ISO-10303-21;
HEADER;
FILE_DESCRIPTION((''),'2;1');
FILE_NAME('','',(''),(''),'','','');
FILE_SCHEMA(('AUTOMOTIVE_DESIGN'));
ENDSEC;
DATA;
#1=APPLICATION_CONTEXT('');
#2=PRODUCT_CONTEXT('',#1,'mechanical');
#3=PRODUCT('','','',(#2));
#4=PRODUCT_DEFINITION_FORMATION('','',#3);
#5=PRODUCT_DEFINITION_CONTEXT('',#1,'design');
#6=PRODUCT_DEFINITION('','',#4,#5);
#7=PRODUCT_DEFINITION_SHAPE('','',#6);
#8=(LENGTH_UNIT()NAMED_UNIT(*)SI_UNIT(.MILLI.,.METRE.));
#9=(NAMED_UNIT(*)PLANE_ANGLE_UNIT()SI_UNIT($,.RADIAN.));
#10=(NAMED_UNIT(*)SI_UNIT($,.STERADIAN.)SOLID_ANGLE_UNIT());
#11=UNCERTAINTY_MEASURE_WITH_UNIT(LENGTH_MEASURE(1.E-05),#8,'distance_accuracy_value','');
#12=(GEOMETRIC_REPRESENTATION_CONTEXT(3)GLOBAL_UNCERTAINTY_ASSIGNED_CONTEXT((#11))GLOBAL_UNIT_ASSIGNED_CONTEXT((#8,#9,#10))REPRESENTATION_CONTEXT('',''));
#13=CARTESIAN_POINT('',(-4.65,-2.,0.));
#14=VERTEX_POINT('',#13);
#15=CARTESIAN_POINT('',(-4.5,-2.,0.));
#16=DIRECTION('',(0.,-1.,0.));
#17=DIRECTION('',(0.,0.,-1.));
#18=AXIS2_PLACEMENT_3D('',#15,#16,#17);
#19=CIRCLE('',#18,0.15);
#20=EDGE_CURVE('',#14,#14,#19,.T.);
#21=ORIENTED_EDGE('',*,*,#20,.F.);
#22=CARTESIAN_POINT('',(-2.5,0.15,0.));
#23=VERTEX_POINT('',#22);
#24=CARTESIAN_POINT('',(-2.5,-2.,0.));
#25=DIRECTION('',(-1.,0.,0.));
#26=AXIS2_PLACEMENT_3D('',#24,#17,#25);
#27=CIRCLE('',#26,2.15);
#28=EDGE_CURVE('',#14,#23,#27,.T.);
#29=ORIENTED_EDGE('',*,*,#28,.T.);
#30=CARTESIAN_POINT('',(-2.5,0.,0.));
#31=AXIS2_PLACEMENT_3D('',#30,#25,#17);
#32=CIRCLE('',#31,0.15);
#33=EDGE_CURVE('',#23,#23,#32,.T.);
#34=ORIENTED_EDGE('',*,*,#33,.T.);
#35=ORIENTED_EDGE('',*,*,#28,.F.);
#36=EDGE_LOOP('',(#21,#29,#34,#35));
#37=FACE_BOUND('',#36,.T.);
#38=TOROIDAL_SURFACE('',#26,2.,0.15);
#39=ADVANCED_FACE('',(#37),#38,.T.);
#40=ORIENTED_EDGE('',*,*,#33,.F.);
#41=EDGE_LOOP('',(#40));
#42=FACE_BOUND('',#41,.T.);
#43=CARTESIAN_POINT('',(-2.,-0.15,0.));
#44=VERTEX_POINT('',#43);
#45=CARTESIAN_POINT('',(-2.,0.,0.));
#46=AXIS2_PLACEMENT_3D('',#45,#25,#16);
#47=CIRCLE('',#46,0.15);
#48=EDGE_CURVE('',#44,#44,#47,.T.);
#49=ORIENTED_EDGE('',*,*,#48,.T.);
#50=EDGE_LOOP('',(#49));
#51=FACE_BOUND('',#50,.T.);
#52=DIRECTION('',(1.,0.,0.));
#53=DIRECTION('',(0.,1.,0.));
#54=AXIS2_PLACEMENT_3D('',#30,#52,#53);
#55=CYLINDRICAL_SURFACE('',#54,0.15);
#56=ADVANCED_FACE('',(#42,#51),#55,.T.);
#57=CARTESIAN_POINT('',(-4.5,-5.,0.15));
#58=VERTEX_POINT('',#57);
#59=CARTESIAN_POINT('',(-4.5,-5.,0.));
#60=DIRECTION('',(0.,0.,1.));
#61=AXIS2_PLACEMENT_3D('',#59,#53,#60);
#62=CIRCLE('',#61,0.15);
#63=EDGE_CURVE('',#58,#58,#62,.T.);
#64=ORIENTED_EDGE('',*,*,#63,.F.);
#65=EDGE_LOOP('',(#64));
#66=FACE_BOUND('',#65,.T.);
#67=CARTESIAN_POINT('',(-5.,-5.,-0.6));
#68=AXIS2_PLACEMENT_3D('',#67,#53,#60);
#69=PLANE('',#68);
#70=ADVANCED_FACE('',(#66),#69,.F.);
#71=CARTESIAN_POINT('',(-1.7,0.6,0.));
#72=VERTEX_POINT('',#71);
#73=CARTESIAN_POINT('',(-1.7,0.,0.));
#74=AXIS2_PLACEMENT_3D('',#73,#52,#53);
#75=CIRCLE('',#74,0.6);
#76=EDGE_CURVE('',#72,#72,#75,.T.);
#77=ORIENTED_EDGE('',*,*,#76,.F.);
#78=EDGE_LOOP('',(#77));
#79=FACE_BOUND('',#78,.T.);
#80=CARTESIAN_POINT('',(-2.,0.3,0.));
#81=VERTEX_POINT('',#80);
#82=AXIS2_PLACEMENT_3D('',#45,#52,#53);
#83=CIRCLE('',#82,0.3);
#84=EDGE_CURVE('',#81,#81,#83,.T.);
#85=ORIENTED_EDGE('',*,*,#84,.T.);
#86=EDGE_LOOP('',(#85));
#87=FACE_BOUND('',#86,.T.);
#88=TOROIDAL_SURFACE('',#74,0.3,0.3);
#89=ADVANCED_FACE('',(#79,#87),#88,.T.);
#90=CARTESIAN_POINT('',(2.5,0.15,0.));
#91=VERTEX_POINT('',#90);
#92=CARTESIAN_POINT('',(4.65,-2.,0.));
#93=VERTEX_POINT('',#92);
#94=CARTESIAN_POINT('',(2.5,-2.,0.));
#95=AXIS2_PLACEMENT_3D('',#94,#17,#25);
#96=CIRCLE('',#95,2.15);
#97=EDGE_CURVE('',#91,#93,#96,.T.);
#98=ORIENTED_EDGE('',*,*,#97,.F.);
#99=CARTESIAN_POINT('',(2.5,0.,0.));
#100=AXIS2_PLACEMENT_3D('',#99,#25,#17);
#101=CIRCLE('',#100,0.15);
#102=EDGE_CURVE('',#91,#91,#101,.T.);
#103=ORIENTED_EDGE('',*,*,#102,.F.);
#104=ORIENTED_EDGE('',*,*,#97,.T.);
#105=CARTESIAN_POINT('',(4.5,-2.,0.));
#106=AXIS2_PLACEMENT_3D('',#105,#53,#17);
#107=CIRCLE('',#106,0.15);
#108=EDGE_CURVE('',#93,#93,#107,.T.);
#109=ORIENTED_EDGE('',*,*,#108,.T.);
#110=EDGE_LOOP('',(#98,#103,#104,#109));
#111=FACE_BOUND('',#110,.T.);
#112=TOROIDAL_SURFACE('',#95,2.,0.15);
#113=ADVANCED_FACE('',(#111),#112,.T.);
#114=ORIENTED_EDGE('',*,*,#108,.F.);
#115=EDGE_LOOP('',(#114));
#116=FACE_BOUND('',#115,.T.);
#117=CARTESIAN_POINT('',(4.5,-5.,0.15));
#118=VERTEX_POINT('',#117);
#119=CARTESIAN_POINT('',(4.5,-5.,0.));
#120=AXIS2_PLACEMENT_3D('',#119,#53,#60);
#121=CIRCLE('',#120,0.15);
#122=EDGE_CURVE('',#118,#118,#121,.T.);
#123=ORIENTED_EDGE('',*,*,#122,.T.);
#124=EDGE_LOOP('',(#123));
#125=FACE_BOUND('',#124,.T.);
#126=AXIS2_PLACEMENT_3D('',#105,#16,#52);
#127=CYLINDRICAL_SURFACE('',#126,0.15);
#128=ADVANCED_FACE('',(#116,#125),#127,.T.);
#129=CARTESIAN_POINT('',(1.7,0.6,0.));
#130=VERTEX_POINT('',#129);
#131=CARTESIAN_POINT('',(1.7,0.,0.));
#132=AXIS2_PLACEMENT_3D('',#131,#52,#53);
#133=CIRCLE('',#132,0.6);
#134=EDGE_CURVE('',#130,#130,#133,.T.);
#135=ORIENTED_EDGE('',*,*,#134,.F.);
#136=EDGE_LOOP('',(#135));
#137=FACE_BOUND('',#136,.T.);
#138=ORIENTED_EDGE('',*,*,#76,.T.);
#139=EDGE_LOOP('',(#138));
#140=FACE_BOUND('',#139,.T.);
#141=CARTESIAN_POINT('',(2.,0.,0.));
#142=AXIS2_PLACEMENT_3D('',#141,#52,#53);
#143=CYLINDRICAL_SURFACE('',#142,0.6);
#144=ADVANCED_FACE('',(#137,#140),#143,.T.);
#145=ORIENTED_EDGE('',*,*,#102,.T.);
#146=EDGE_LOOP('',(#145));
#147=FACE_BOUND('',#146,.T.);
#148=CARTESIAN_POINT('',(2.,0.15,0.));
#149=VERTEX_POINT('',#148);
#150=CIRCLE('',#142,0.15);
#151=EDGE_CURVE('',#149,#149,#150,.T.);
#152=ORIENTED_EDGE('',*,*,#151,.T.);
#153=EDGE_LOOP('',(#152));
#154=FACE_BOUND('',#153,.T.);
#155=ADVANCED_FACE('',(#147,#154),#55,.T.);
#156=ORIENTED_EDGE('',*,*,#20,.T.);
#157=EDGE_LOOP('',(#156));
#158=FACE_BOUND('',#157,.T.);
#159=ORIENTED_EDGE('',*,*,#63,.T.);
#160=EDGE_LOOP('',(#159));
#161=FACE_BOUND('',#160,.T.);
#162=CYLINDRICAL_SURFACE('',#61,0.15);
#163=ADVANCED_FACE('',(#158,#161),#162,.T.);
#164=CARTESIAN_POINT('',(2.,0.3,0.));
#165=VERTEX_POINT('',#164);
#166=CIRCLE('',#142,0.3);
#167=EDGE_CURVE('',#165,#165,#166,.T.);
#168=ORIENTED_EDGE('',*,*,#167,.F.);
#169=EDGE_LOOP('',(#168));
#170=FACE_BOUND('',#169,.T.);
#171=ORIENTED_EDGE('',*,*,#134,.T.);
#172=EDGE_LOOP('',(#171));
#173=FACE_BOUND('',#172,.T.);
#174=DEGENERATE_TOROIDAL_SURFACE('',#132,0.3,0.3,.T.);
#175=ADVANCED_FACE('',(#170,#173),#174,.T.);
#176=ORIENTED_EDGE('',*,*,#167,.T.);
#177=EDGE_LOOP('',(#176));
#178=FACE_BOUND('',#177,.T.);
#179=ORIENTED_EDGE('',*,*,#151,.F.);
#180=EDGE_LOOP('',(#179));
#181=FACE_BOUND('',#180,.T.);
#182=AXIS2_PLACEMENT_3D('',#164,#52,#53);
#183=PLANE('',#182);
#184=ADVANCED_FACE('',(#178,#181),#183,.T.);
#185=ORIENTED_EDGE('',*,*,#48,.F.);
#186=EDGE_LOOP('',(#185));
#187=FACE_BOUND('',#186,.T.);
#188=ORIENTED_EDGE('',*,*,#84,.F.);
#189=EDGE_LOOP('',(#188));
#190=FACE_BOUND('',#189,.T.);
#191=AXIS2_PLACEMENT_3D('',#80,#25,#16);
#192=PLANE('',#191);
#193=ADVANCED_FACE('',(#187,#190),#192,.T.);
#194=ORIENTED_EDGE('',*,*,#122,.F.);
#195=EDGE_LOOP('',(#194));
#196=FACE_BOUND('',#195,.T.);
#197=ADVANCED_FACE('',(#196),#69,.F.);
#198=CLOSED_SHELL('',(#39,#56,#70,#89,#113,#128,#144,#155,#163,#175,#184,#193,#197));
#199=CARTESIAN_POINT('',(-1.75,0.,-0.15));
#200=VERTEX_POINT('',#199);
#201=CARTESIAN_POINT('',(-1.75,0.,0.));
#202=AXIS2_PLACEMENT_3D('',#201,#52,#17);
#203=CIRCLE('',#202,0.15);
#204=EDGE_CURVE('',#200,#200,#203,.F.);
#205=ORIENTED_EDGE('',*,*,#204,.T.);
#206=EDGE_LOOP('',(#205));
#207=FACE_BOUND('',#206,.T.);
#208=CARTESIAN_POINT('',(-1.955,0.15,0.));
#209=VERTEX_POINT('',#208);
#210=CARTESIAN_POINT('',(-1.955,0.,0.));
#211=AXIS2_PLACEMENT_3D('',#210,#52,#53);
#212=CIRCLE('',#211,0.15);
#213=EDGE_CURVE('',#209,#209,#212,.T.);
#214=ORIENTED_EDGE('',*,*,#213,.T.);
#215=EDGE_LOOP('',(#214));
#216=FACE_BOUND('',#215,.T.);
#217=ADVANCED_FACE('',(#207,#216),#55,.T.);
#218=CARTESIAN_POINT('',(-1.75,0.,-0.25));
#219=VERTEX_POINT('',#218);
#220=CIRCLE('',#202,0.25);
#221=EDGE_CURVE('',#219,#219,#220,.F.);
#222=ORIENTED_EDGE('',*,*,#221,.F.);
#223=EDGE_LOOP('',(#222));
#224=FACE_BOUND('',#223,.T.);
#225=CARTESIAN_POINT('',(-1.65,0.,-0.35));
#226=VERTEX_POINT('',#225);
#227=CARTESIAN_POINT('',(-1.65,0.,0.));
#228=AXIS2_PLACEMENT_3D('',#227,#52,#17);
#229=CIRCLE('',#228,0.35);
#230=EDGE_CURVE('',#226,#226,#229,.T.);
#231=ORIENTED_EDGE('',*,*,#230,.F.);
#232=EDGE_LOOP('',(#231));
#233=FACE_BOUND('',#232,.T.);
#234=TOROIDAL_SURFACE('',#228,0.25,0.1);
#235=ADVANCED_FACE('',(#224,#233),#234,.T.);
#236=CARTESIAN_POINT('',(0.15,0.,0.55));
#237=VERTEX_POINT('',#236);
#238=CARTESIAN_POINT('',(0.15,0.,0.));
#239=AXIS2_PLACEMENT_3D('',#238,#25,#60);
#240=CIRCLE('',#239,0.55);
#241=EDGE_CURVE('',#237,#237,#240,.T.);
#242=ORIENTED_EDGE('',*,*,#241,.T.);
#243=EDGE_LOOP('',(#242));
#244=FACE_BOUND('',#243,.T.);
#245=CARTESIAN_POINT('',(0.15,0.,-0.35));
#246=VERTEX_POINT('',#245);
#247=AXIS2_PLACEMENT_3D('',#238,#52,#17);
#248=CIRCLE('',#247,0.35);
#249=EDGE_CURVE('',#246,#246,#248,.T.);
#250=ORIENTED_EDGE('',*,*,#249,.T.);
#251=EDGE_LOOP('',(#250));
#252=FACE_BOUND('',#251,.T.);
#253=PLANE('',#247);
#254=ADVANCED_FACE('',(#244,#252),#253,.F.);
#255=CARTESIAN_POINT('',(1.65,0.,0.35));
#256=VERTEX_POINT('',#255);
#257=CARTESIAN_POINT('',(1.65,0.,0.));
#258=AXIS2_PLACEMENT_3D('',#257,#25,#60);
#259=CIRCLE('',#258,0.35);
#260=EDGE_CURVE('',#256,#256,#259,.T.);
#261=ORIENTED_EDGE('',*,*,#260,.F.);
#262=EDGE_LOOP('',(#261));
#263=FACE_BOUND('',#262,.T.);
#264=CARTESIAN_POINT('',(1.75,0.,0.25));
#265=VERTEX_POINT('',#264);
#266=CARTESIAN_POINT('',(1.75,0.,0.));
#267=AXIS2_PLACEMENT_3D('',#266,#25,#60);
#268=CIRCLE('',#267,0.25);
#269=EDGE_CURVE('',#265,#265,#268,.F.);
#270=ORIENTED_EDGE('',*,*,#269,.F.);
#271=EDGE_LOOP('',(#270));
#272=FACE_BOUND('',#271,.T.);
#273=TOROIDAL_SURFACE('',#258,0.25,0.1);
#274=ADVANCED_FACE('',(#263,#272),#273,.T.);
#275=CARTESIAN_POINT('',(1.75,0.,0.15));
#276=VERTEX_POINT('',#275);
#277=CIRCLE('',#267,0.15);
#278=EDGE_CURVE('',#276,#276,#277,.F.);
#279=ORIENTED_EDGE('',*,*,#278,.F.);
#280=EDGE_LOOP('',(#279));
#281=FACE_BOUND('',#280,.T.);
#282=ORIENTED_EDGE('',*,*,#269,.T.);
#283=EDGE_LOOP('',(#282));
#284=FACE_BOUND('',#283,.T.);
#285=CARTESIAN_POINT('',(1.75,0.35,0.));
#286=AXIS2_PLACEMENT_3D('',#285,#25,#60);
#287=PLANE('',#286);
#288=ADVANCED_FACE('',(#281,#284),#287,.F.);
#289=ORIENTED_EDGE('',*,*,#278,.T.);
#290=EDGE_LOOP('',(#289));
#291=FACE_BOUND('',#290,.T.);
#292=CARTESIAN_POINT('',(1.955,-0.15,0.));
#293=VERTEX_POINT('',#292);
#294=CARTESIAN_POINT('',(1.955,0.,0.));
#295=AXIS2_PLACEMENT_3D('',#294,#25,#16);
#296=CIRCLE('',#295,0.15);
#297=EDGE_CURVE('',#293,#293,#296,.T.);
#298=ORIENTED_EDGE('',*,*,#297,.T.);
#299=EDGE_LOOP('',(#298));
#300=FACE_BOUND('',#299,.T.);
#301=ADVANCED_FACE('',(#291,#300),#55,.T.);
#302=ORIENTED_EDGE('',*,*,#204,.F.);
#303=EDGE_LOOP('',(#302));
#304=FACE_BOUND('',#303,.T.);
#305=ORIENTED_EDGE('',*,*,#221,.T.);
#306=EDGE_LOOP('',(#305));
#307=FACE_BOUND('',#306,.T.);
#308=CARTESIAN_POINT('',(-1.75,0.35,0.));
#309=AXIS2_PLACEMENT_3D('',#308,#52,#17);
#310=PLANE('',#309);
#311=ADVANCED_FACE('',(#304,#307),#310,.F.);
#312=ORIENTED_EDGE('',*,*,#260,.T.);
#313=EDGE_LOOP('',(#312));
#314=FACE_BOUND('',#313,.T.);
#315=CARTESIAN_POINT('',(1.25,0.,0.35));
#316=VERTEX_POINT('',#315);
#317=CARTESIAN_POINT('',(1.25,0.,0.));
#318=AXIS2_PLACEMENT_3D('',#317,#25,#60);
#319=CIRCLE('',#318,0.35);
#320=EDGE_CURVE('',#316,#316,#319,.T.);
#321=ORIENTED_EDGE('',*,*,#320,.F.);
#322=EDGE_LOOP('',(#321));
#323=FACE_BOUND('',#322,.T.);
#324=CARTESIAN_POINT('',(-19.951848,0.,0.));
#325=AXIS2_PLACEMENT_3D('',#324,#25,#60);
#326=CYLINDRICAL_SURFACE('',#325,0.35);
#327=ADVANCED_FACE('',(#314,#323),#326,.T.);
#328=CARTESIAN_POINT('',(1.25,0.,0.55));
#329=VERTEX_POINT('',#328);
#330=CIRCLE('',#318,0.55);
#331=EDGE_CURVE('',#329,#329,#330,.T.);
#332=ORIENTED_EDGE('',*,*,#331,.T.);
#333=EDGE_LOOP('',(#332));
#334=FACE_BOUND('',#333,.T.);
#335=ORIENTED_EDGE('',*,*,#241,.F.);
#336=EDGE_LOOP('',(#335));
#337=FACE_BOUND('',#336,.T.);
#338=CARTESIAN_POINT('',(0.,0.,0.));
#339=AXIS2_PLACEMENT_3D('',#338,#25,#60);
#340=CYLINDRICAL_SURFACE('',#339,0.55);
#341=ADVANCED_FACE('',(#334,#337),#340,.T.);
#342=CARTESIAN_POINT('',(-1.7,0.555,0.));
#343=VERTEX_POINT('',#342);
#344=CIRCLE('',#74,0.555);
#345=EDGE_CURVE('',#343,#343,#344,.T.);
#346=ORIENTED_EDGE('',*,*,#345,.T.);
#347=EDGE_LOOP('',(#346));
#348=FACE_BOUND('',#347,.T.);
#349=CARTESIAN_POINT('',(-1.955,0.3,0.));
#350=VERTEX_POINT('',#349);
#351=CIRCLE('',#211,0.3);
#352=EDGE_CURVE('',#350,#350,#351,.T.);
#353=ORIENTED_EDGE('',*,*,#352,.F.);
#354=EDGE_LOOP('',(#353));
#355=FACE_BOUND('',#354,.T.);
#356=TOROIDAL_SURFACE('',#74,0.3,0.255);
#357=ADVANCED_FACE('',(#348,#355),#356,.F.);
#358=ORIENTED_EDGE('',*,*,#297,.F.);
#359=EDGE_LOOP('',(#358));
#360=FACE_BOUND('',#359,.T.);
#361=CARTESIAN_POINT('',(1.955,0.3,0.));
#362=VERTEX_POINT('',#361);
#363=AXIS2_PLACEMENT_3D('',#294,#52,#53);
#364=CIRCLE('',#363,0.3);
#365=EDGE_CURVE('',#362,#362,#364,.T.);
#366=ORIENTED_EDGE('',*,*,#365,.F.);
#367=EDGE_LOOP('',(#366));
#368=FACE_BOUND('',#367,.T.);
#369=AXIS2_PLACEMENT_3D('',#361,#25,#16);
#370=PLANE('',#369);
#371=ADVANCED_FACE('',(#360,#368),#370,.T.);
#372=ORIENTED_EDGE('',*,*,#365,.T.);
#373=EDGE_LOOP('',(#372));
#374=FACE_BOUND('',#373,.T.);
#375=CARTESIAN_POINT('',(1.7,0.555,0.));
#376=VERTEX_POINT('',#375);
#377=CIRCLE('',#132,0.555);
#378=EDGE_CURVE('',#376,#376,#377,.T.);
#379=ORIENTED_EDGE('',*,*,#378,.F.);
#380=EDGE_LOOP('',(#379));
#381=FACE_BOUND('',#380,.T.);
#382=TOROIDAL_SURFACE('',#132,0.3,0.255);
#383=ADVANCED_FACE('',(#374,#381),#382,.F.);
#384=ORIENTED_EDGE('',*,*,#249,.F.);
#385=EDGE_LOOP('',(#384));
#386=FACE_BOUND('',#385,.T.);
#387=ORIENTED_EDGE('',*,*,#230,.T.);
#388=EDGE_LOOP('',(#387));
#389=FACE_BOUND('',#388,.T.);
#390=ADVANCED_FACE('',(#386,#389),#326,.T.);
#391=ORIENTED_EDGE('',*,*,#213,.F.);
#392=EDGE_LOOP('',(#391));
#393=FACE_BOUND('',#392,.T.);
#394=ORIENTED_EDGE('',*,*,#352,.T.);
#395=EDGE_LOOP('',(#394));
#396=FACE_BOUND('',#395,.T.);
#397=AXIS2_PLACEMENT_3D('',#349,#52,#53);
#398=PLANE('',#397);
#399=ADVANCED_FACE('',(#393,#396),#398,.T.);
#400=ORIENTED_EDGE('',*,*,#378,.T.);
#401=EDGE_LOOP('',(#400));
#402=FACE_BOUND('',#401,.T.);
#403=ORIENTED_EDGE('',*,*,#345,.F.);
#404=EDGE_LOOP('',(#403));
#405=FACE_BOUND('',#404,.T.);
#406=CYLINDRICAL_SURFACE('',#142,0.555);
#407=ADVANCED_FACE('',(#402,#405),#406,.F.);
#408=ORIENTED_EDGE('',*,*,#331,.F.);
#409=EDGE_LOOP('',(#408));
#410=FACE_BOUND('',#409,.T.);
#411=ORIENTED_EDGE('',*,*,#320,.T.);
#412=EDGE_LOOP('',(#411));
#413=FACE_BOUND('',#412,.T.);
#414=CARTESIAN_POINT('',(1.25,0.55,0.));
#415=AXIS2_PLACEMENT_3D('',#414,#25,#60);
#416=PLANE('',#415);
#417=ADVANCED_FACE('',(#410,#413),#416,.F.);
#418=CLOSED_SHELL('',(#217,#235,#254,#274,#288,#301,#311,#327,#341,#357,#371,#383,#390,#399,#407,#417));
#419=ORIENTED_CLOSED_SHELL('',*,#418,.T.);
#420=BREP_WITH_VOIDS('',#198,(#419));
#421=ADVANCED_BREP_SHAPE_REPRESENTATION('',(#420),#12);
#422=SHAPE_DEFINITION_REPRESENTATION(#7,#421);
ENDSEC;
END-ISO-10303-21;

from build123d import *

# Parameters (mm, degrees)
SKETCH1_W               = 3.5
SKETCH1_H               = 0.35
FILLET1_R               = 0.1
SKETCH2_W               = 1.1
SKETCH2_H               = 0.55
SKETCH3_R               = 0.15
SKETCH6_W               = 10
SKETCH6_H               = 2.5
CUT_EXTRUDE1_DEPTH      = 1.6000001
CUT_EXTRUDE1_DEPTH_BACK = 1.6000001


with BuildPart() as part:
    # Sketch1 → Base-Revolve (revolve)
    with BuildSketch(Plane.XY, mode=Mode.PRIVATE) as base_revolve_sk:
        with Locations((0, 0.175)):
            Rectangle(SKETCH1_W, SKETCH1_H)
    revolve(base_revolve_sk.sketch.rotate(Axis((-19.951848249, 0, 0), (1, 0, 0)), 90), axis=Axis((-19.951848249, 0, 0), (1, 0, 0)))  # turned: the seam where the file's is

    # Fillet1
    fillet1_edges = [part.edges().sort_by_distance(p)[0] for p in [
        (1.75, 0, -0.35),
        (-1.75, 0, -0.35),
    ]]
    fillet(fillet1_edges, radius=FILLET1_R)

    # Sketch2 → Boss-Revolve1 (revolve)
    with BuildSketch(Plane.XY, mode=Mode.PRIVATE) as boss_revolve1_sk:
        with Locations((0.7, 0.275)):
            Rectangle(SKETCH2_W, SKETCH2_H)
    revolve(boss_revolve1_sk.sketch.rotate(Axis((0, 0, 0), (1, 0, 0)), 90), axis=Axis((0, 0, 0), (1, 0, 0)))  # turned: the seam where the file's is

    # Boss-Sweep1: sweep along a path in Sketch4
    with BuildLine(Plane.XY) as boss_sweep1_path:
        Line((0.174016429, -7), (-2.5, -7))
        ThreePointArc((-2.5, -7), (-3.914213562, -6.414213562), (-4.5, -5))
        Line((-4.5, -5), (-4.5, -2))
        ThreePointArc((-4.5, -2), (-3.914213562, -0.585786438), (-2.5, 0))
        Line((-2.5, 0), (2.5, 0))
        ThreePointArc((2.5, 0), (3.914213562, -0.585786438), (4.5, -2))
        Line((4.5, -2), (4.5, -5))
        ThreePointArc((4.5, -5), (3.914213562, -6.414213562), (2.5, -7))
        Line((2.5, -7), (0.174016429, -7))
    # Sketch3 → Boss-Sweep1 (sweep)
    with BuildSketch(Plane(origin=(0, 0, 0), x_dir=(0, 0, -1), z_dir=(1, 0, 0))):
        with Locations((0, -7)):
            Circle(SKETCH3_R)
    sweep(path=boss_sweep1_path.line)

    # Sketch5 → Boss-Revolve2 (revolve)
    with BuildSketch(Plane.XY):
        with BuildLine():
            Line((-1.7, 0.6), (1.7, 0.6))
            ThreePointArc((1.7, 0.6), (1.912132034, 0.512132034), (2, 0.3))
            Line((2, 0.3), (2, 0))
            Line((2, 0), (1.955, 0))
            Line((1.955, 0), (1.955, 0.3))
            ThreePointArc((1.955, 0.3), (1.880312229, 0.480312229), (1.7, 0.555))
            Line((1.7, 0.555), (-1.7, 0.555))
            ThreePointArc((-1.7, 0.555), (-1.880312229, 0.480312229), (-1.955, 0.3))
            Line((-1.955, 0.3), (-1.955, 0))
            Line((-1.955, 0), (-2, 0))
            Line((-2, 0), (-2, 0.3))
            ThreePointArc((-2, 0.3), (-1.912132034, 0.512132034), (-1.7, 0.6))
        make_face()
    revolve(axis=Axis((2, 0, 0), (-1, 0, 0)))

    # Sketch6 → Cut-Extrude1 (cut, two sides)
    with BuildSketch(Plane.XY) as cut_extrude1_sk:
        with Locations((0, -6.25)):
            Rectangle(SKETCH6_W, SKETCH6_H)
    extrude(amount=CUT_EXTRUDE1_DEPTH, mode=Mode.SUBTRACT)
    extrude(cut_extrude1_sk.sketch, amount=-CUT_EXTRUDE1_DEPTH_BACK, mode=Mode.SUBTRACT)


solid = part.part
